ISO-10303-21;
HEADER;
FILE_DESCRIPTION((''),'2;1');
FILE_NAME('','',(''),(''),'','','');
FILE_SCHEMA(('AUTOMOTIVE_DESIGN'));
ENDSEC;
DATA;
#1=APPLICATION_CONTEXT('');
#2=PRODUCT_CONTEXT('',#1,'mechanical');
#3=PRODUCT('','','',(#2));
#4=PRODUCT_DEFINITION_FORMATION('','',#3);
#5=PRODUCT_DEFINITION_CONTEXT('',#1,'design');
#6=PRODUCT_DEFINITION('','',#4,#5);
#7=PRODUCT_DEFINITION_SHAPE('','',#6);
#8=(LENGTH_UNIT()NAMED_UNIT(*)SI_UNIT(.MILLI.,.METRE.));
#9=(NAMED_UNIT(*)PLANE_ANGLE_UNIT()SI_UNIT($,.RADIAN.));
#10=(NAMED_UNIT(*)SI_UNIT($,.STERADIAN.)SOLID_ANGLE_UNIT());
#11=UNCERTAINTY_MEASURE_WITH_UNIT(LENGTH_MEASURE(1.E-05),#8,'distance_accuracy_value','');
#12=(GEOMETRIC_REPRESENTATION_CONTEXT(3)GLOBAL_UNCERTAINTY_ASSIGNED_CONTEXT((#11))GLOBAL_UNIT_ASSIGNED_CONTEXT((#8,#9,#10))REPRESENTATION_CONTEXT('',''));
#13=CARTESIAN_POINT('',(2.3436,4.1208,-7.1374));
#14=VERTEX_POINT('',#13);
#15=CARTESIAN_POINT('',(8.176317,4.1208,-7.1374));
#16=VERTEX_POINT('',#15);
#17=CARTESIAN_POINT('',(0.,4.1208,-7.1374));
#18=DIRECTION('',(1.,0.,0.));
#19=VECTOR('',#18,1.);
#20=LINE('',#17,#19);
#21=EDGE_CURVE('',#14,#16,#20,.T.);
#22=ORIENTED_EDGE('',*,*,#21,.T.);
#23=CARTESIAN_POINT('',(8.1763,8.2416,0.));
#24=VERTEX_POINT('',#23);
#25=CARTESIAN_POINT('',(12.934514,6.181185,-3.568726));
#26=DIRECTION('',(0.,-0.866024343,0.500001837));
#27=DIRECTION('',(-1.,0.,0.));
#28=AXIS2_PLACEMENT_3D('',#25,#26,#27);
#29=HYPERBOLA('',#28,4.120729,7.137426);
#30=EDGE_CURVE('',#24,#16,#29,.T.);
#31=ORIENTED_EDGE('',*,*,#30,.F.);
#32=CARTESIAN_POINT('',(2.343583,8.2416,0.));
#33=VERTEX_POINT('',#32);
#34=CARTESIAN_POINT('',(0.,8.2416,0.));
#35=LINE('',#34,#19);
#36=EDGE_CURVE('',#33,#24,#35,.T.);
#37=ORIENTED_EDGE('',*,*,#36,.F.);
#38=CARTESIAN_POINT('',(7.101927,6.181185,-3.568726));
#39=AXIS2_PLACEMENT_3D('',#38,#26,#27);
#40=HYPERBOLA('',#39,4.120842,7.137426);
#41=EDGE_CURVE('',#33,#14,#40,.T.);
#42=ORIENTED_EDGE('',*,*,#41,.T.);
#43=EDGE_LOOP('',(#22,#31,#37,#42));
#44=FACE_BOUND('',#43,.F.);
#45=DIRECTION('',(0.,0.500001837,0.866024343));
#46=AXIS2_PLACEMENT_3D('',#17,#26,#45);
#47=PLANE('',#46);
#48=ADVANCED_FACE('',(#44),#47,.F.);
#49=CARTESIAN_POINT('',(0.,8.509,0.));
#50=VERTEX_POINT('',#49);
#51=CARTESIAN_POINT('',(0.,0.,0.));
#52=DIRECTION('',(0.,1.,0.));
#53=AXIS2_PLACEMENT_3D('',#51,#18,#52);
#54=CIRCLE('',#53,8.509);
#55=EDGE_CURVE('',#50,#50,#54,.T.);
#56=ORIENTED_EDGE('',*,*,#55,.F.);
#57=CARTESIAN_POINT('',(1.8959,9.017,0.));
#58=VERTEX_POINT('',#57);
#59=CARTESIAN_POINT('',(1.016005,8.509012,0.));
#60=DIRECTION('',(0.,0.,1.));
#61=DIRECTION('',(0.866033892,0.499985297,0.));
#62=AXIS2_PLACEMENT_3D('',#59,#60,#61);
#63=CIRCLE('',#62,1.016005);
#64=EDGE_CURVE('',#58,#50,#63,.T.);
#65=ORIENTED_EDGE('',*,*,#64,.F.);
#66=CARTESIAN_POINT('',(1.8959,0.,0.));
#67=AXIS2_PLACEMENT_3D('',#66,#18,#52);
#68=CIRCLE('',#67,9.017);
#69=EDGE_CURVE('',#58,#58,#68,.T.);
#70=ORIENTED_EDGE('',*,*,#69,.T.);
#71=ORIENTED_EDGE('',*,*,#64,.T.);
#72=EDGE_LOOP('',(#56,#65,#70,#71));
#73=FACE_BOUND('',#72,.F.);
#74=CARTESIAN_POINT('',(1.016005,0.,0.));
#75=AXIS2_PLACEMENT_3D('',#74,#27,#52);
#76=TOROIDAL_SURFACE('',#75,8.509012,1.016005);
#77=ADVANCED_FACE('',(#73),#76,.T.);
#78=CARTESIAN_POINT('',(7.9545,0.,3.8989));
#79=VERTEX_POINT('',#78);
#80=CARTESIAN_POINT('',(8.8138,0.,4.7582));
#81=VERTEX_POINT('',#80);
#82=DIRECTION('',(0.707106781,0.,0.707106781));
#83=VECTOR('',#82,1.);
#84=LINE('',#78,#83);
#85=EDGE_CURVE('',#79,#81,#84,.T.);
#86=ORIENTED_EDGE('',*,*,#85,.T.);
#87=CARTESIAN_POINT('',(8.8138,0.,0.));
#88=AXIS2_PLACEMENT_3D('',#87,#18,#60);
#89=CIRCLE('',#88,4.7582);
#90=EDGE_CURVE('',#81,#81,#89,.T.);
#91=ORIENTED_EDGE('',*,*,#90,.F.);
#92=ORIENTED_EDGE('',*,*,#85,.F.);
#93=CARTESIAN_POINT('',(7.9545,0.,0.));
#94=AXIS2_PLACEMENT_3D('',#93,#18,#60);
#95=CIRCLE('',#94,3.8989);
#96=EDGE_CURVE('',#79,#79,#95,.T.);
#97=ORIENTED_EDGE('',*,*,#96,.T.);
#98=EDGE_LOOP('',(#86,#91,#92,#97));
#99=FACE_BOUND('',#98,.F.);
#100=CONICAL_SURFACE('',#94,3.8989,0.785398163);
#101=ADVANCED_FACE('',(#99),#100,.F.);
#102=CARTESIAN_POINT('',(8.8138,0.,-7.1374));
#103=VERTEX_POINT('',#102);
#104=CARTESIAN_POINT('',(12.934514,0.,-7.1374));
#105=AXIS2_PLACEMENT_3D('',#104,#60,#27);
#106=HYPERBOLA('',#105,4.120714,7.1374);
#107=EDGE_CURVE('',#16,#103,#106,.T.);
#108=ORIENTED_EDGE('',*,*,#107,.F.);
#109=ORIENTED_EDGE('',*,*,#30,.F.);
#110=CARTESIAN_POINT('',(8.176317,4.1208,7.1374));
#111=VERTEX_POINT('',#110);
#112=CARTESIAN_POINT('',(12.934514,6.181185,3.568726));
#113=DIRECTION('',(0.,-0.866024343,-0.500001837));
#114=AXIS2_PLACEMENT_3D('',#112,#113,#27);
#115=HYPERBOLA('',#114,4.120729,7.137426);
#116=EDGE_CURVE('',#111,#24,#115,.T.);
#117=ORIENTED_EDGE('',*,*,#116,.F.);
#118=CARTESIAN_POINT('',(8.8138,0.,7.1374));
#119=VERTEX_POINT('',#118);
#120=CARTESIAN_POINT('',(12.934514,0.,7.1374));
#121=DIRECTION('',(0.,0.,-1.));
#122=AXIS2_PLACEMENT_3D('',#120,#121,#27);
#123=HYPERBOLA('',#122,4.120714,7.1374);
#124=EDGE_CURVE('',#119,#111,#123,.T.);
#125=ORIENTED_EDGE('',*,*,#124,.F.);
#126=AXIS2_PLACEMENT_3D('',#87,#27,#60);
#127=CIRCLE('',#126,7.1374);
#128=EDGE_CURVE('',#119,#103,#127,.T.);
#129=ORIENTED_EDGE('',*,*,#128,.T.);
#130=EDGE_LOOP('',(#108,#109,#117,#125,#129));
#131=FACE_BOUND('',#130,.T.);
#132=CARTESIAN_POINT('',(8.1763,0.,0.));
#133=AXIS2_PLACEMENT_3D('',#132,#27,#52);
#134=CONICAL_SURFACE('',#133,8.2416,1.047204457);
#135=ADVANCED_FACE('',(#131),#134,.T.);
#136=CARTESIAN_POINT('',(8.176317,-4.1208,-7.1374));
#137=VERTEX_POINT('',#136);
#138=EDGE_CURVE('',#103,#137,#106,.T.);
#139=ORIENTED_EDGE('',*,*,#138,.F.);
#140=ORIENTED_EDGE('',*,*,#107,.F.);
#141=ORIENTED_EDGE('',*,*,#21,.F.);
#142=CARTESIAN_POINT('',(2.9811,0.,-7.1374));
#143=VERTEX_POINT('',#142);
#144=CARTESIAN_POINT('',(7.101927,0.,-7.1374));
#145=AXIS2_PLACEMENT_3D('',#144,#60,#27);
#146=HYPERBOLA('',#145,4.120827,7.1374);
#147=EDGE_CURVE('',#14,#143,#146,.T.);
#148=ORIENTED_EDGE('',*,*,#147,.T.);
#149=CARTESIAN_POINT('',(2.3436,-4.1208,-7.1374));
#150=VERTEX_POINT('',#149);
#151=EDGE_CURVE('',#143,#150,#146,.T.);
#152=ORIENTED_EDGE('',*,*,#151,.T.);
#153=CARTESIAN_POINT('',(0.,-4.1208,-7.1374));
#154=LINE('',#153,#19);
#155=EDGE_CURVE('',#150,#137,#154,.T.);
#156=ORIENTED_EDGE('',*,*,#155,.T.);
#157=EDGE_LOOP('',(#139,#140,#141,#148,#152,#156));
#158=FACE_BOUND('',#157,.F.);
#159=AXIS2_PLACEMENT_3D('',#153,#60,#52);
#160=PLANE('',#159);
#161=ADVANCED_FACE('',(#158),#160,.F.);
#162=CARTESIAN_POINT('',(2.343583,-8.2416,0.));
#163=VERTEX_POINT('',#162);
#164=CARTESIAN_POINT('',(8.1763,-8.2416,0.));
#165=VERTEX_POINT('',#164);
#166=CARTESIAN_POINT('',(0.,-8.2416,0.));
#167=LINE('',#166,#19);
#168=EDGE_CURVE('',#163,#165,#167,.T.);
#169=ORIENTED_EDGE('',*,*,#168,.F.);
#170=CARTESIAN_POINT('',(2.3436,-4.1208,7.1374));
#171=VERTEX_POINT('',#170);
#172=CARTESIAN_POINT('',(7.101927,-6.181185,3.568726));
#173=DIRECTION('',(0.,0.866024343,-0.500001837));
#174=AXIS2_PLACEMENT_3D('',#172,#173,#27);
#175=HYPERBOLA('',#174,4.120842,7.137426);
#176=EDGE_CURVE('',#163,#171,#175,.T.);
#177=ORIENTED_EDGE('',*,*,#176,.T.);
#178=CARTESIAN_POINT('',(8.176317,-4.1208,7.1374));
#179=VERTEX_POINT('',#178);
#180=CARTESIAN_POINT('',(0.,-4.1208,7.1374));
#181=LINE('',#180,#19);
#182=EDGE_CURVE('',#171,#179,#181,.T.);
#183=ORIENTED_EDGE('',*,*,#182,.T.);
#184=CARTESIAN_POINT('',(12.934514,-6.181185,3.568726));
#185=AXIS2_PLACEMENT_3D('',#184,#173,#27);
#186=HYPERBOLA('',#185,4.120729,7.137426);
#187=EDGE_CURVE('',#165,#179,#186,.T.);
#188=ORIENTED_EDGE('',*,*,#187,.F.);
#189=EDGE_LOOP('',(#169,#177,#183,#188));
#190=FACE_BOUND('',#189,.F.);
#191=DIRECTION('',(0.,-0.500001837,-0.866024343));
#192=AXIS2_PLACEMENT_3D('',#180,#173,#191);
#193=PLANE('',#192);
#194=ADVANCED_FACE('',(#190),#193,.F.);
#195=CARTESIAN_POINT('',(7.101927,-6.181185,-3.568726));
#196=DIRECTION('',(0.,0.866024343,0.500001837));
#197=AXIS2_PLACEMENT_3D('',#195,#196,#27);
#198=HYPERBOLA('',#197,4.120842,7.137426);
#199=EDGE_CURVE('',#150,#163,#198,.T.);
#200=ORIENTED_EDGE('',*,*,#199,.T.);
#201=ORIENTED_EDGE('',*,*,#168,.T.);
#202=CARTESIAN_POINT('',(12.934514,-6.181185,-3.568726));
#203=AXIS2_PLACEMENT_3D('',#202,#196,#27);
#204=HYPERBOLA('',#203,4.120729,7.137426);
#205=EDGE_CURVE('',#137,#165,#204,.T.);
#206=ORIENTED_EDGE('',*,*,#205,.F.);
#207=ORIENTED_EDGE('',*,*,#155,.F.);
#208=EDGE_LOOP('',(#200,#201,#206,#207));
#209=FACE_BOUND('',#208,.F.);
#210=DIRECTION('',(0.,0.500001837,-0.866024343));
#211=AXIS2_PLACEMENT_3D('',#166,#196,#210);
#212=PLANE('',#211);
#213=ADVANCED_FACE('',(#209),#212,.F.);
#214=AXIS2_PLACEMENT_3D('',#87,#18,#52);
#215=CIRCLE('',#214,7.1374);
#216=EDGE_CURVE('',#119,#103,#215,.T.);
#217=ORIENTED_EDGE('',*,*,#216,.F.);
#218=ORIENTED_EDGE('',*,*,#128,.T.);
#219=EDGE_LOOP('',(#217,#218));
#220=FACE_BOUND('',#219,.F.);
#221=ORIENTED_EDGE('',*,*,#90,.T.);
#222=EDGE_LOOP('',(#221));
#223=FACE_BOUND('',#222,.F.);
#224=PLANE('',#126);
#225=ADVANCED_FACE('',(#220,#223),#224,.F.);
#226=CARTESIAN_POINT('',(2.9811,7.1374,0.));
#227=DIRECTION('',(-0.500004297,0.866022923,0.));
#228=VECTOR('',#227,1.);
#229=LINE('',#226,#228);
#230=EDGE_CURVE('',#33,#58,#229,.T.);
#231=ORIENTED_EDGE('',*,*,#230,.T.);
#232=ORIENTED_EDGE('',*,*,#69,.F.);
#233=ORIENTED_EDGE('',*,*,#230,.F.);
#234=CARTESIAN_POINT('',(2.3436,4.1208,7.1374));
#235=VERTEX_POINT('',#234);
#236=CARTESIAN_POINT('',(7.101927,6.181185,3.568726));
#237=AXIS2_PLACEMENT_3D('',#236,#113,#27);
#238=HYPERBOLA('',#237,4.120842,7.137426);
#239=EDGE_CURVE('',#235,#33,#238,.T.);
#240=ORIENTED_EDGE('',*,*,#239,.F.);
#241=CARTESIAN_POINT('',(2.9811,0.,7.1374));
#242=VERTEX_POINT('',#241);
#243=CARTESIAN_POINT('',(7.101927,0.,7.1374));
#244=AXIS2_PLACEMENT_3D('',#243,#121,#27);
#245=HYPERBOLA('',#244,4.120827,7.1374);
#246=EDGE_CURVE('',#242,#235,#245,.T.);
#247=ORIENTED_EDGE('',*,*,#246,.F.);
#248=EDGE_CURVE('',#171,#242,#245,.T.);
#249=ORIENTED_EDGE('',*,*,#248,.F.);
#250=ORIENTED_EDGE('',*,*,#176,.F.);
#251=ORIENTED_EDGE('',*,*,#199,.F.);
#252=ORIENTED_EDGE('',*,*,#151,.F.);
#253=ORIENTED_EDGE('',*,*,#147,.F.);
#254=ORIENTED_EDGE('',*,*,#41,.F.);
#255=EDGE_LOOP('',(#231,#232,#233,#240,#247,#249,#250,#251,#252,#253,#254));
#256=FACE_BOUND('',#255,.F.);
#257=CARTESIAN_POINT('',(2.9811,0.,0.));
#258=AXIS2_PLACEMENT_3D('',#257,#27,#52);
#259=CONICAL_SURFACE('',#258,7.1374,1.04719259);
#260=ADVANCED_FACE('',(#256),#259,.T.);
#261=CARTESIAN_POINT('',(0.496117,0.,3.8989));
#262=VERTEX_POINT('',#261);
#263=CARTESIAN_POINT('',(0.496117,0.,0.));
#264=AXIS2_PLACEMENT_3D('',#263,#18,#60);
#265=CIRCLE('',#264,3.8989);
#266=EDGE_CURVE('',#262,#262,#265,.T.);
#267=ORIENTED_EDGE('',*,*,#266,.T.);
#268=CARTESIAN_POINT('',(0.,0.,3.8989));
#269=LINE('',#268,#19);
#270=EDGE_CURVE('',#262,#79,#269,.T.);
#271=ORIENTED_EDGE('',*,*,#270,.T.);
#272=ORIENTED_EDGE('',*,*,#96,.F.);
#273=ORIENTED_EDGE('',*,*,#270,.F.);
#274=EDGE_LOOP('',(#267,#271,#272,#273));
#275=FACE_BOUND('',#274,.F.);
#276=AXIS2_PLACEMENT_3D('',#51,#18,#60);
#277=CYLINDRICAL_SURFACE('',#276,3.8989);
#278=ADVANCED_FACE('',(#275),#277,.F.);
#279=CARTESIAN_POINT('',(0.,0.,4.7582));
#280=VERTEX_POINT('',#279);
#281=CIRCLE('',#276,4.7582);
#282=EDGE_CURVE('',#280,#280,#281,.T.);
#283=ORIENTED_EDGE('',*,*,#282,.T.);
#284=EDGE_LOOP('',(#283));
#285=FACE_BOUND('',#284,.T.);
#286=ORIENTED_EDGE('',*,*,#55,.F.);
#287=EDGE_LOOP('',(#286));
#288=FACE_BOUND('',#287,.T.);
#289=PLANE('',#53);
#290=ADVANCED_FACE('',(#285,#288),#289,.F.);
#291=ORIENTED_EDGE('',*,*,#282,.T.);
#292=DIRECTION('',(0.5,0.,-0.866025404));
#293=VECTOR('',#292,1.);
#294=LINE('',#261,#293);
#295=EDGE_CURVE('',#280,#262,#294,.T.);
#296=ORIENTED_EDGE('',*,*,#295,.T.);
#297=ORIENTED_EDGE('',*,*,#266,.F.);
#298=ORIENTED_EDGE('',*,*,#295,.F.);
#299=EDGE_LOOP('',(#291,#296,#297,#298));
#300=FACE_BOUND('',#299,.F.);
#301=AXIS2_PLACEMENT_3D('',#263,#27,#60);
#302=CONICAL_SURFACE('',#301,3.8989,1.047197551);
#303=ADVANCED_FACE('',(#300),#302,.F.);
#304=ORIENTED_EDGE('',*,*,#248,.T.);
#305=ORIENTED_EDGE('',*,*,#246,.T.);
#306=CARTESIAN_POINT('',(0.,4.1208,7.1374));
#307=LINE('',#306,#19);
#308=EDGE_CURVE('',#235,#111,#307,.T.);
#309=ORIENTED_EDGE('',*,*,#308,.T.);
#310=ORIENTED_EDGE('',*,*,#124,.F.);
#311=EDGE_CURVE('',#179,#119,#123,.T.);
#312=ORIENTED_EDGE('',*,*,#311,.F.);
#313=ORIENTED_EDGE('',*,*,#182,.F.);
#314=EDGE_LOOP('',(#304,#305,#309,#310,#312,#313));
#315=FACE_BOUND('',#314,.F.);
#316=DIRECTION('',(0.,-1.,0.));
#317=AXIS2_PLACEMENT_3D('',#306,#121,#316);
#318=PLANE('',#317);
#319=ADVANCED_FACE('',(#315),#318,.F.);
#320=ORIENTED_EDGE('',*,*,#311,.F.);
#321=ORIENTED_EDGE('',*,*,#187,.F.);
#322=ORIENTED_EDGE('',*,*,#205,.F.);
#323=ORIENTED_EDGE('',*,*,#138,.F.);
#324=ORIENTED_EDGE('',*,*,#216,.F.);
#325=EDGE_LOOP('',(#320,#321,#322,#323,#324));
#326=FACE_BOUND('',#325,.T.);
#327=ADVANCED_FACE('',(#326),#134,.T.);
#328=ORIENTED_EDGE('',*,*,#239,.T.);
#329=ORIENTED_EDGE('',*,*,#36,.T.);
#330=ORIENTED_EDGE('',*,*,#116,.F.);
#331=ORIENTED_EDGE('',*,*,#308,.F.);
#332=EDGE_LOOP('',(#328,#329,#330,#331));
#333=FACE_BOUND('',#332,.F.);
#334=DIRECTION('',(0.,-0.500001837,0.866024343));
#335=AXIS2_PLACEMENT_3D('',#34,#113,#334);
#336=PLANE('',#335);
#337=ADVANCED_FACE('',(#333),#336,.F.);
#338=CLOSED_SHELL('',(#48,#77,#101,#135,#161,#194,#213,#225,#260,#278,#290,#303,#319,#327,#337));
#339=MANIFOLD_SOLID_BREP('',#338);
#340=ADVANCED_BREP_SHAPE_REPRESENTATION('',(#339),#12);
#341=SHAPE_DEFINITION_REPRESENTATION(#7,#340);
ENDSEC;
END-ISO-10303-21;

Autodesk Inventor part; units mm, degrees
ref_plane "YZ Plane" through (0, 0, 0) normal (1, 0, 0) x (0, 1, 0)
ref_plane "XZ Plane" through (0, 0, 0) normal (0, 1, 0) x (-1, 0, 0)
sketch "Sketch1" plane through (0, 0, 0) normal (0, 0, 1) x (1, 0, 0)
  line L0 (-1.9966, 0) -> (10.6155, 0) projected
  line L1 (2.9811, 7.1374) -> (1.8959, 9.017)
  line L2 (2.9811, 7.1374) -> (8.8138, 7.1374) construction
  line L3 (8.8138, 7.1374) -> (8.8138, 0) construction
  arc A0 (1.8959, 9.017) -> (0, 8.509) centre (1.016, 8.509) ccw
  line L4 (2.9811, 7.1374) -> (2.9811, 0)
  line L5 (0, -1.9489) -> (0, 11.6933) projected
  point P0 (0, 0)
  dimension "d2" = 14.2748
  dimension "d4" = 19.05
  dimension "d5" = 1.016
  dimension "d15" = 8.8138
  dimension "d16" = 30
revolve "Ring" add sketch "Sketch1" angle 360 about axis through (-10, 0, 0) along (1, 0, 0)
sketch "Sketch2" plane through (0, 0, 0) normal (-1, 0, 0) x (0, 0, 1)
  circle A0 centre (0, 0) radius 4.9
  line L0 (-7.1374, -4.1208) -> (-7.1374, 4.1208)
  line L1 (-7.1374, 4.1208) -> (0, 8.2416)
  line L2 (0, 8.2416) -> (7.1374, 4.1208)
  line L3 (7.1374, 4.1208) -> (7.1374, -4.1208)
  line L4 (7.1374, -4.1208) -> (0, -8.2416)
  line L5 (0, -8.2416) -> (-7.1374, -4.1208)
  circle A1 centre (0, 0) radius 8.509 projected
  dimension "d6" = 16.4831
extrude "Body" add sketch "Sketch2" against normal blind 8.8138 contours A0 | L0 L1 L2 L3 L4 L5
sketch "Sketch3" plane through (0, 0, 0) normal (0, 0, 1) x (1, 0, 0)
  line L0 (2.3436, 8.2416) -> (8.8138, 8.2416) projected
  line L1 (8.8138, 4.1208) -> (8.8138, 8.2416) projected
  line L2 (0, -8.509) -> (0, 8.509) projected
  line L3 (-1.7628, 0) -> (10.5766, 0) projected
  line L4 (8.1763, 8.2416) -> (8.8138, 7.1374)
  dimension "d10" = 30
  dimension "d11" = 14.2748
revolve "Chamfer1" cut sketch "Sketch3" angle 360 about axis through (-10, 0, 0) along (1, 0, 0)
sketch "Sketch4" plane through (0, 0, 0) normal (-1, 0, 0) x (0, 0, 1)
  circle A0 centre (0, 0) radius 8.509 projected
hole "Thread" at (0, 0, 0) direction (1, 0, 0) diameter 7.7978 end through all thread size "3/8-16 UNC" class "2B" standard "ANSI Unified Screw Threads"
chamfer "Chamfer2" distance 0.8593 angle 30 1 edges at (0, 0, -3.8989) measured on face at (0, 6.8804, -0.8354)
ref_plane "Work Plane1" through (28.3459, 0, 0) normal (0, 0, -1) x (-1, 0, 0)
chamfer "Chamfer3" distance 0.8593 angle 45 1 edges at (8.8138, 0, -3.8989)
equation "\"d6\" = 1.1547 * SW"
equation "\"d7\" = KOH"
equation "\"d12\" = -0.5 * GD1 + 0.5 * NND"
equation "\"d46\" = -0.5 * GD1 + 0.5 * NND"
equation "\"d51\" = -0.5 * GD1 + 0.5 * NND"
equation "\"d2\" = SW"
equation "\"d4\" = LADI"
equation "\"d5\" = PHH"
equation "\"d15\" = KOH"
equation "\"d16\" = KEWI"
equation "\"d10\" = ANG1"
equation "\"d11\" = SW0"
equation "\"ANG1\" = 30deg"
equation "\"KEWI\" = 30deg"
equation "\"NND\" = 9.525"
equation "\"LADI\" = 19.05"
equation "\"SW\" = 14.2748"
equation "\"PHH\" = 1.016"
equation "\"KOH\" = 8.8138"
equation "\"SW0\" = SW"
equation "\"d1\" = LADI"
equation "\"d3\" = PHH"
equation "\"THREADDIA\" = 9.525"
equation "\"TOA\" = 30deg"
equation "\"E0\" = 1.155 * SW"
equation "\"GD1\" = 7.806481"
properties part number "IFI - I0.375 - 16, HFNI(1)" material "Steel, Mild"
